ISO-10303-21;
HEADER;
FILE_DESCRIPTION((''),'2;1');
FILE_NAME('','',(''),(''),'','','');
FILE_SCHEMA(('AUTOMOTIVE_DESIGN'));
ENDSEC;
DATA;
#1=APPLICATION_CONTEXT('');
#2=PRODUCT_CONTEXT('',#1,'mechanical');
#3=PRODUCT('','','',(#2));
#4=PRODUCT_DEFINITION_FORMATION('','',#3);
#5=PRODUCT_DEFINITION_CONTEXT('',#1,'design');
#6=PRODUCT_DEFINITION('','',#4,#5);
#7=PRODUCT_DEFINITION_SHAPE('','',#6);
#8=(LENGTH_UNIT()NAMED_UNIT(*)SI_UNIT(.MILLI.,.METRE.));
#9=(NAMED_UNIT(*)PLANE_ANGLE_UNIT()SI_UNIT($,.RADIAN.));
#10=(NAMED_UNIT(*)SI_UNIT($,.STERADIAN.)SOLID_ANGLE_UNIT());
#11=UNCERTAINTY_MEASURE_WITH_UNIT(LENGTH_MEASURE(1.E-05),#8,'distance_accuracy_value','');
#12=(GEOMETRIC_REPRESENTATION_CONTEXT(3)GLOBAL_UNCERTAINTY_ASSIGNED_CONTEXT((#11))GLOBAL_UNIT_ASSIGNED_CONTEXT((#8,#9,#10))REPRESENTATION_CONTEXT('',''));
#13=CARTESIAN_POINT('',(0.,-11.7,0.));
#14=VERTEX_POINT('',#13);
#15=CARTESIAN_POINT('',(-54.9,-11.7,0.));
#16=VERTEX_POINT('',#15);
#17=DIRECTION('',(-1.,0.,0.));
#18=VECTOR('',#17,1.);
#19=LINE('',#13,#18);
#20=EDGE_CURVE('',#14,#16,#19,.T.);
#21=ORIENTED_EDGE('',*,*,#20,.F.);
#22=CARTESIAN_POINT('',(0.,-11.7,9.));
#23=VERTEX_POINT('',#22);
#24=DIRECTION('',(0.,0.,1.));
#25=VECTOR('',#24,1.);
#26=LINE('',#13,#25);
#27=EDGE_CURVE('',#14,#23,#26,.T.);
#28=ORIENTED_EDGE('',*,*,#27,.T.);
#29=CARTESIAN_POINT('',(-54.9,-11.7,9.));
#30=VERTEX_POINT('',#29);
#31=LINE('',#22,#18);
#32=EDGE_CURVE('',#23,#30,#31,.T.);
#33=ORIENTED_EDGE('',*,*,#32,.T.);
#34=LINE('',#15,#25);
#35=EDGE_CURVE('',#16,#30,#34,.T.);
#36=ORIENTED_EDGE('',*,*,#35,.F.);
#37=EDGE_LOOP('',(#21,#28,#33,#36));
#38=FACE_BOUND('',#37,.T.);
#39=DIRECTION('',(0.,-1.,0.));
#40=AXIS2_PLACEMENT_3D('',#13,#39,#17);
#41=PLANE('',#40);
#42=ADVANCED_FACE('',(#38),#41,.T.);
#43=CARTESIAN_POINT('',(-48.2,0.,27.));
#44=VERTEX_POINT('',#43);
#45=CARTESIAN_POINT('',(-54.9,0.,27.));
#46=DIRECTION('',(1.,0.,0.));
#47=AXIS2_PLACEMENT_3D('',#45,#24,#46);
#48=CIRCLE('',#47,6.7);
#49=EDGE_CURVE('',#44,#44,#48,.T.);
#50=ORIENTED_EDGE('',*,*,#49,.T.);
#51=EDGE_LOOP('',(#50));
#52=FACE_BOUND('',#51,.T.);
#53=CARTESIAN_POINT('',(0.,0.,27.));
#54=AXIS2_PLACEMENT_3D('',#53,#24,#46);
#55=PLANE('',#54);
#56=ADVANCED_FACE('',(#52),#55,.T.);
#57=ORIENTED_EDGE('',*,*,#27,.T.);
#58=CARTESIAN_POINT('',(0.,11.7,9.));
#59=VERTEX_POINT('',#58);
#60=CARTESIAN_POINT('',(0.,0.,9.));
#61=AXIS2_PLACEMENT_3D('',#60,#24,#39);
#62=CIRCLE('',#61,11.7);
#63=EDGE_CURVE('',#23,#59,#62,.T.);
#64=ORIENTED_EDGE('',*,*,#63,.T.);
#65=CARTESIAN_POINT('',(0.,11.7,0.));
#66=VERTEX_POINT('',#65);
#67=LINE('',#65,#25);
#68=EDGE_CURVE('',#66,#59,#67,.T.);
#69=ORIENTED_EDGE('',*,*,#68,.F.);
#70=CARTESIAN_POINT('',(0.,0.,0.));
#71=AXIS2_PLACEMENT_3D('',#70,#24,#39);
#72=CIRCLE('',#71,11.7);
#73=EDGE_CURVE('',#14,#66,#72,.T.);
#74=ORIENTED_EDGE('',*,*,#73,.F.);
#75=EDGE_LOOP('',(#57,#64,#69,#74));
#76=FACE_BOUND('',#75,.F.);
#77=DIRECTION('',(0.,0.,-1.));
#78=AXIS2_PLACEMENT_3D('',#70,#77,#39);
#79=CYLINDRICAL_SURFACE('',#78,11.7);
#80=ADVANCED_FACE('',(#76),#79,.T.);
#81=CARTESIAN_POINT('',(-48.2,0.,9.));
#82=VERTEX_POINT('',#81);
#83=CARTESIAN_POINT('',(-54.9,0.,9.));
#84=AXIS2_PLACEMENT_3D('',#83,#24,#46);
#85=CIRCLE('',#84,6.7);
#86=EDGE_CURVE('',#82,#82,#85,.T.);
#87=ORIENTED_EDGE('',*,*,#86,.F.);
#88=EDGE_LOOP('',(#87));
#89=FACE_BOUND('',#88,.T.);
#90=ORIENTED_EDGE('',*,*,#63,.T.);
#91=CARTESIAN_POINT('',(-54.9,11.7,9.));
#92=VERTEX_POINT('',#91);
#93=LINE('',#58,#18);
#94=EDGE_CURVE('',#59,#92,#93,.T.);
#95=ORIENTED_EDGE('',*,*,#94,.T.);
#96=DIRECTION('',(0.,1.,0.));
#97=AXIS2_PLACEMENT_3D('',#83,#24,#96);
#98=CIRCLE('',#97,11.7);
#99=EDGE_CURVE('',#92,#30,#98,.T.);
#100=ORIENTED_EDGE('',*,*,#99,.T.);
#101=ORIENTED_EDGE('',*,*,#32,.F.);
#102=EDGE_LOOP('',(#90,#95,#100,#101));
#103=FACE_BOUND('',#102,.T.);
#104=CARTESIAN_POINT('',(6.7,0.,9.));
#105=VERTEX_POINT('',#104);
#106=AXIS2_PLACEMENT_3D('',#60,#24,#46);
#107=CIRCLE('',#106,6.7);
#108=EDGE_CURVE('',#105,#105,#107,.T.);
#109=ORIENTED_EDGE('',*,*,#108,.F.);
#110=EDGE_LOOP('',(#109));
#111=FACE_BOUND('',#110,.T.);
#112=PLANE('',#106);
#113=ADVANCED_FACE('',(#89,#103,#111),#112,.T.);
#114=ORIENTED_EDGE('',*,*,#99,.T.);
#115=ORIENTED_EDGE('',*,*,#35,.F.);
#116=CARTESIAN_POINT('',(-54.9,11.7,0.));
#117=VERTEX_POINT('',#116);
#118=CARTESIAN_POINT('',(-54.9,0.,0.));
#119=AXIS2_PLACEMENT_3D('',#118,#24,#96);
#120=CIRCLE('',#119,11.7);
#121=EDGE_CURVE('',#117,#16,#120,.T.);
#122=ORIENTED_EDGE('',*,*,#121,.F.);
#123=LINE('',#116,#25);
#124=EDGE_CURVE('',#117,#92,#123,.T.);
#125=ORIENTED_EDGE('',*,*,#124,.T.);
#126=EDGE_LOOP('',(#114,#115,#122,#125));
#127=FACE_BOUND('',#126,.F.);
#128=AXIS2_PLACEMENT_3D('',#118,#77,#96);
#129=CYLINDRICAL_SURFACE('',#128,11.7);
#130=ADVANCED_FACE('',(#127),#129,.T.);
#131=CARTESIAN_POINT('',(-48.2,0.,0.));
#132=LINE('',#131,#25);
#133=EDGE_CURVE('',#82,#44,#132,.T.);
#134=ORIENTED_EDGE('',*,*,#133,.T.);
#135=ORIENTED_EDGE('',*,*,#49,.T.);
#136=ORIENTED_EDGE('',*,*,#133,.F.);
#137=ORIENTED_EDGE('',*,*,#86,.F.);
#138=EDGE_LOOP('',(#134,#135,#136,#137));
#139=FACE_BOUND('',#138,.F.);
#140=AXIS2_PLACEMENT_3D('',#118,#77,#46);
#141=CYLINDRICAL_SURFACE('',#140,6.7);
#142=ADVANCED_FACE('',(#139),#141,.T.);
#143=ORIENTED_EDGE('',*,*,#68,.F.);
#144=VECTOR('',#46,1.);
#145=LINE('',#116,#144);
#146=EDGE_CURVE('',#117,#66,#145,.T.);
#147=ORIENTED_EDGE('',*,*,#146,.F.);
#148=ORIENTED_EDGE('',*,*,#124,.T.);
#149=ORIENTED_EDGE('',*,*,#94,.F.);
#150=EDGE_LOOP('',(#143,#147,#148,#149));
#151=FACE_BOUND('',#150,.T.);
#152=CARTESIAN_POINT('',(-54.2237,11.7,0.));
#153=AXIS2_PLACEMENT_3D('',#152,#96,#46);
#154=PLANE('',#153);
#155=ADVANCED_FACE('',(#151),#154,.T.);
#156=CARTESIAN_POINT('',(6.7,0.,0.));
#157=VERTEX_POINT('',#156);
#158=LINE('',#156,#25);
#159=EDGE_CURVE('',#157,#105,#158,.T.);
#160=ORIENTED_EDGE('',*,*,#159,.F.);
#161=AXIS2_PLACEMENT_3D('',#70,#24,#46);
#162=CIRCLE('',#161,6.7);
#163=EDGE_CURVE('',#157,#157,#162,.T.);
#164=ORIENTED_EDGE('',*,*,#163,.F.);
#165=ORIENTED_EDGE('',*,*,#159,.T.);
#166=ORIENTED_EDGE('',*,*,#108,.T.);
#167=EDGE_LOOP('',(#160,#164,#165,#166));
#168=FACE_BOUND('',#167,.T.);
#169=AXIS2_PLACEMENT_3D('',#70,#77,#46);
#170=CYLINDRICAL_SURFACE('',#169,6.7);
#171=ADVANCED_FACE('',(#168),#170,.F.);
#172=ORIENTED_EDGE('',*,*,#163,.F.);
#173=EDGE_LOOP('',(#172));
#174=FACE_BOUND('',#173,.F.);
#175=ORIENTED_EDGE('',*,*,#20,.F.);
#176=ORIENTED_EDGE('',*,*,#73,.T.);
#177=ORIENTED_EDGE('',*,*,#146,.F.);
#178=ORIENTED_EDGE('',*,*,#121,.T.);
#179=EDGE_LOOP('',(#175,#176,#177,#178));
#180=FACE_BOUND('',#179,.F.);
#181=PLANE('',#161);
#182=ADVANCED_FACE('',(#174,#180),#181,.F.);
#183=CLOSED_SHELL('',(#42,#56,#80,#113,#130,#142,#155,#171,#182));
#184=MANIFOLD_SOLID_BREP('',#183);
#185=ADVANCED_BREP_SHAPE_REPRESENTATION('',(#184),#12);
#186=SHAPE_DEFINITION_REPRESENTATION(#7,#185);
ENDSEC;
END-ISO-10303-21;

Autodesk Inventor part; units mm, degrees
ref_plane "YZ Plane" through (0, 0, 0) normal (1, 0, 0) x (0, 1, 0)
ref_plane "XZ Plane" through (0, 0, 0) normal (0, 1, 0) x (-1, 0, 0)
ref_plane "XY Plane" through (0, 0, 0) normal (0, 0, 1) x (1, 0, 0)
sketch "Sketch1" plane through (0, 0, 0) normal (0, 0, 1) x (1, 0, 0)
  circle A0 centre (0, 0) radius 6.7
  circle A1 centre (-54.9, 0) radius 6.7
  arc A2 (0, -11.7) -> (0, 11.7) centre (0, 0) ccw
  arc A3 (-54.9, 11.7) -> (-54.9, -11.7) centre (-54.9, 0) ccw
  line L0 (-54.2237, 11.7) -> (0, 11.7)
  line L1 (0, -11.7) -> (-54.9, -11.7)
  line L2 (-54.9, 11.7) -> (-54.2237, 11.7)
  dimension "d0" = 13.4
  dimension "d1" = 13.4
  dimension "d2" = 54.9
  dimension "d3" = 5
  dimension "d4" = 5
  dimension "d5" = 54.9
extrude "Extrusion1" add sketch "Sketch1" along normal blind 9
extrude "Extrusion2" add sketch "Sketch1" along normal blind 27 contours A1
equation "\"d0\" = d1"
equation "\"d4\" = d3"
properties part number "Pedal" material "Aluminum 6061"
